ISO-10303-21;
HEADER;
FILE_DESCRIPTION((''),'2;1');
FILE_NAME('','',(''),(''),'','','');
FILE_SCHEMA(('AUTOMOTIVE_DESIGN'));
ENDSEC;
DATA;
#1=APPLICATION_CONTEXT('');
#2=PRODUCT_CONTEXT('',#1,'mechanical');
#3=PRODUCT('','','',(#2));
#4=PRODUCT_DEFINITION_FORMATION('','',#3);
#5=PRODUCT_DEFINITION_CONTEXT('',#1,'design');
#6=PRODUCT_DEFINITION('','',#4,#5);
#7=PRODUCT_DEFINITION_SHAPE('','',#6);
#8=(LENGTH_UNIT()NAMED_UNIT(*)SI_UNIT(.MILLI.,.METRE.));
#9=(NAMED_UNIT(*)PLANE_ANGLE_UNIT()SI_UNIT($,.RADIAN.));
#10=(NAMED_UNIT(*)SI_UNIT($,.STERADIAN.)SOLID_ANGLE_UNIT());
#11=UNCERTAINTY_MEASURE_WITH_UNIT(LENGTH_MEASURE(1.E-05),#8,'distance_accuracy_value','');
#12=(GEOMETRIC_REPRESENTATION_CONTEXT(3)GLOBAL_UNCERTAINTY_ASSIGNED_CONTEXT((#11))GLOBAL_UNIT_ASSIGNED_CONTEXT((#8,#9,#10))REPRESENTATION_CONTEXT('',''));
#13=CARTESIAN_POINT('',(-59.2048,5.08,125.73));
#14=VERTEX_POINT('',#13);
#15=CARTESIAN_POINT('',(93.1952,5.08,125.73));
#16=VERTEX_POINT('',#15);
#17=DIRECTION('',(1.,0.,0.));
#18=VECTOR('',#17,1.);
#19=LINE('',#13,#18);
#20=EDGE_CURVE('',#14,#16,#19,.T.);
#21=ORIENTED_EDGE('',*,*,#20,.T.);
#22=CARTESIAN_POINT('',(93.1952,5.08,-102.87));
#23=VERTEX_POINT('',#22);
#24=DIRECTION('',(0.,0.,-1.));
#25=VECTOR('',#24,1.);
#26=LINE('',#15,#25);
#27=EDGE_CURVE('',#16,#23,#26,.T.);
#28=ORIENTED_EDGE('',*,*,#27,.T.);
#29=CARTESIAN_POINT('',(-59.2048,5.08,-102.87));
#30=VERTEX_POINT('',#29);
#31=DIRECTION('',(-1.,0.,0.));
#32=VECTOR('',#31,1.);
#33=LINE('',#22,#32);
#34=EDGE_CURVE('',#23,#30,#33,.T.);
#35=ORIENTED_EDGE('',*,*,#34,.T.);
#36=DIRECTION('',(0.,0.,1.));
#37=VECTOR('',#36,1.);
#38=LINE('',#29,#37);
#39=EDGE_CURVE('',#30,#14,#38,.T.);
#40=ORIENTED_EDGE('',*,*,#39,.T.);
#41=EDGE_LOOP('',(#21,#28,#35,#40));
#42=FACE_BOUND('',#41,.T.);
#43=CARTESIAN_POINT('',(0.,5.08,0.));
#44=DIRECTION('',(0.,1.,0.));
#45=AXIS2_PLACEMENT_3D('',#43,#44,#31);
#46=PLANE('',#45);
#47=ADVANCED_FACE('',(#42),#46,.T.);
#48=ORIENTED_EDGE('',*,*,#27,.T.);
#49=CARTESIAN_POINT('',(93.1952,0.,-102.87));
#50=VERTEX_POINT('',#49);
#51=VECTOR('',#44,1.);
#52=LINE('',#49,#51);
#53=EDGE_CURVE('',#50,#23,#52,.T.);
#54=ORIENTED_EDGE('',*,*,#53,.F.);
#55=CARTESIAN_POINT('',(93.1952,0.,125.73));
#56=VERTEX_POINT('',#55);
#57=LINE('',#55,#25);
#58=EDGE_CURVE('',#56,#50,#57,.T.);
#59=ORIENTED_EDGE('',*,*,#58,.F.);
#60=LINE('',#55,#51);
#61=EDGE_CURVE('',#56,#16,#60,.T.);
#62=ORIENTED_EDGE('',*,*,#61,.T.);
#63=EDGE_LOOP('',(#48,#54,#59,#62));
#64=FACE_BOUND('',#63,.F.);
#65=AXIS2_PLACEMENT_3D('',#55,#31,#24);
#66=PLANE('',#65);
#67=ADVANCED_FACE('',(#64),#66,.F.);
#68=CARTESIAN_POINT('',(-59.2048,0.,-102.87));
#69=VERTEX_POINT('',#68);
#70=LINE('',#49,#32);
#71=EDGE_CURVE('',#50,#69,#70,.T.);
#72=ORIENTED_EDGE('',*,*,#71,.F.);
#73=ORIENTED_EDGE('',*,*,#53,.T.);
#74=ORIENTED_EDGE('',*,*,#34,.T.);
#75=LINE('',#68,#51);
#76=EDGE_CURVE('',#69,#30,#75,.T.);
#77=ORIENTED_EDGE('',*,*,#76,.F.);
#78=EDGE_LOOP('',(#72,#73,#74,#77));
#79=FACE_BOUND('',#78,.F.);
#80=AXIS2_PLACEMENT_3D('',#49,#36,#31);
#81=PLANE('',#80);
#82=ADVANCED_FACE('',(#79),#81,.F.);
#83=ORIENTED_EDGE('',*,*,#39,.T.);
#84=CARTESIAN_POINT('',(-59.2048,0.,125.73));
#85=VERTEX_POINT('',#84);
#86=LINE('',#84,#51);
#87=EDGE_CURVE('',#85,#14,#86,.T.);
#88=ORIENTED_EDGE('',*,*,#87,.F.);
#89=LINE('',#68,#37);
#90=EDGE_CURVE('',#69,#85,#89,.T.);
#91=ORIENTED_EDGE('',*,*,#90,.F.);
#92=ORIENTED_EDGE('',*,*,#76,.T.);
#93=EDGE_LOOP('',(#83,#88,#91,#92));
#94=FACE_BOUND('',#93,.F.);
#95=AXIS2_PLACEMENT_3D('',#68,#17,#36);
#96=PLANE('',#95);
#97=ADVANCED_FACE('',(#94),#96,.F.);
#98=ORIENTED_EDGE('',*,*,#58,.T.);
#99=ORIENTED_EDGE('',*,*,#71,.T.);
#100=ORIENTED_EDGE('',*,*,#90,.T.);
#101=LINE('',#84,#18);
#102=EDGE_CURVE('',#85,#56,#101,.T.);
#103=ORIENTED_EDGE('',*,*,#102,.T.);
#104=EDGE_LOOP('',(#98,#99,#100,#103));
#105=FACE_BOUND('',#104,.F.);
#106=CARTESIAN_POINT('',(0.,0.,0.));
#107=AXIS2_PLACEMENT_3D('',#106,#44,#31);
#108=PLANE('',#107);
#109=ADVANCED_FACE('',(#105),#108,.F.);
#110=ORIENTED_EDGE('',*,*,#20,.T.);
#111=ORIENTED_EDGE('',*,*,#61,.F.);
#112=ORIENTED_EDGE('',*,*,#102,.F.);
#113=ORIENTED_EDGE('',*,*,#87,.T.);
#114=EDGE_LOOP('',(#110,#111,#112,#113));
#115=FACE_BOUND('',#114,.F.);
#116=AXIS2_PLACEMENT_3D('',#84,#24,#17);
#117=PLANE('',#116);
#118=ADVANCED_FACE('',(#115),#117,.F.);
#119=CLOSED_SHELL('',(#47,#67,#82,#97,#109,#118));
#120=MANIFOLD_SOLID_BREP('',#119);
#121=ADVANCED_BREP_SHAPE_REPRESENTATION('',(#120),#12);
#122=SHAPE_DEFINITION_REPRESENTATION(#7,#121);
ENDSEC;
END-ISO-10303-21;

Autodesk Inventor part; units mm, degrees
ref_plane "YZ Plane" through (0, 0, 0) normal (1, 0, 0) x (0, 1, 0)
ref_plane "XZ Plane" through (0, 0, 0) normal (0, 1, 0) x (-1, 0, 0)
ref_plane "XY Plane" through (0, 0, 0) normal (0, 0, 1) x (1, 0, 0)
sketch "Sketch1" plane through (0, 0, 0) normal (0, 1, 0) x (-1, 0, 0)
  line L0 (59.2048, 125.73) -> (-93.1952, 125.73)
  line L1 (-93.1952, 125.73) -> (-93.1952, -102.87)
  line L2 (-93.1952, -102.87) -> (59.2048, -102.87)
  line L3 (59.2048, -102.87) -> (59.2048, 125.73)
  point P0 (0, 0)
  dimension "d0" = 228.6
  dimension "d1" = 152.4
extrude "Extrusion1" add sketch "Sketch1" along normal blind 5.08
equation "\"d0\" = PartLength"
equation "\"d1\" = PartWidth"
equation "\"d2\" = WallWidth"
equation "\"DSLength\" = 1371.6"
equation "\"DSWidth\" = 304.8"
equation "\"DCDeckHeight\" = 76.2"
equation "\"WallWidth\" = 5.08"
equation "\"EdgeAngle\" = 10deg"
equation "\"LengthCuts\" = 152.4"
equation "\"WidthCuts\" = 50.8"
equation "\"PartLength\" = 228.6"
equation "\"PartWidth\" = 152.4"
equation "\"BoltHoldDiam\" = 6.35"
equation "\"ControlPlateLength\" = 228.6"
equation "\"ControlPlateWidth\" = 228.6"
equation "\"ControlPlateShelfLength\" = 19.05"
equation "\"ControlHoleLength\" = 190.5"
equation "\"ControlHoleWidth\" = 190.5"
equation "\"ControlHoleFromSide\" = 63.5"
equation "\"ControlHoleBoltHoleMid\" = 9.525"
equation "\"CPDeckHeight\" = 71.12"
equation "\"CPFromSide\" = 63.5"
equation "\"CPFromBack\" = 63.5"
equation "\"DU1CHWidth\" = 69.85"
equation "\"DU1CHLength\" = 146.05"
equation "\"ControlPlateScrewLength\" = 76.2"
equation "\"DSBackHeight\" = 127"
equation "\"BackShelf\" = 25.4"
equation "\"MainAngle\" = 168.22deg"
equation "\"CPDWidthHole\" = 120.65"
equation "\"CPDLengthHole\" = 146.05"
equation "\"DownBackHeight\" = 130.7084"
properties part number "CBULeft1"
